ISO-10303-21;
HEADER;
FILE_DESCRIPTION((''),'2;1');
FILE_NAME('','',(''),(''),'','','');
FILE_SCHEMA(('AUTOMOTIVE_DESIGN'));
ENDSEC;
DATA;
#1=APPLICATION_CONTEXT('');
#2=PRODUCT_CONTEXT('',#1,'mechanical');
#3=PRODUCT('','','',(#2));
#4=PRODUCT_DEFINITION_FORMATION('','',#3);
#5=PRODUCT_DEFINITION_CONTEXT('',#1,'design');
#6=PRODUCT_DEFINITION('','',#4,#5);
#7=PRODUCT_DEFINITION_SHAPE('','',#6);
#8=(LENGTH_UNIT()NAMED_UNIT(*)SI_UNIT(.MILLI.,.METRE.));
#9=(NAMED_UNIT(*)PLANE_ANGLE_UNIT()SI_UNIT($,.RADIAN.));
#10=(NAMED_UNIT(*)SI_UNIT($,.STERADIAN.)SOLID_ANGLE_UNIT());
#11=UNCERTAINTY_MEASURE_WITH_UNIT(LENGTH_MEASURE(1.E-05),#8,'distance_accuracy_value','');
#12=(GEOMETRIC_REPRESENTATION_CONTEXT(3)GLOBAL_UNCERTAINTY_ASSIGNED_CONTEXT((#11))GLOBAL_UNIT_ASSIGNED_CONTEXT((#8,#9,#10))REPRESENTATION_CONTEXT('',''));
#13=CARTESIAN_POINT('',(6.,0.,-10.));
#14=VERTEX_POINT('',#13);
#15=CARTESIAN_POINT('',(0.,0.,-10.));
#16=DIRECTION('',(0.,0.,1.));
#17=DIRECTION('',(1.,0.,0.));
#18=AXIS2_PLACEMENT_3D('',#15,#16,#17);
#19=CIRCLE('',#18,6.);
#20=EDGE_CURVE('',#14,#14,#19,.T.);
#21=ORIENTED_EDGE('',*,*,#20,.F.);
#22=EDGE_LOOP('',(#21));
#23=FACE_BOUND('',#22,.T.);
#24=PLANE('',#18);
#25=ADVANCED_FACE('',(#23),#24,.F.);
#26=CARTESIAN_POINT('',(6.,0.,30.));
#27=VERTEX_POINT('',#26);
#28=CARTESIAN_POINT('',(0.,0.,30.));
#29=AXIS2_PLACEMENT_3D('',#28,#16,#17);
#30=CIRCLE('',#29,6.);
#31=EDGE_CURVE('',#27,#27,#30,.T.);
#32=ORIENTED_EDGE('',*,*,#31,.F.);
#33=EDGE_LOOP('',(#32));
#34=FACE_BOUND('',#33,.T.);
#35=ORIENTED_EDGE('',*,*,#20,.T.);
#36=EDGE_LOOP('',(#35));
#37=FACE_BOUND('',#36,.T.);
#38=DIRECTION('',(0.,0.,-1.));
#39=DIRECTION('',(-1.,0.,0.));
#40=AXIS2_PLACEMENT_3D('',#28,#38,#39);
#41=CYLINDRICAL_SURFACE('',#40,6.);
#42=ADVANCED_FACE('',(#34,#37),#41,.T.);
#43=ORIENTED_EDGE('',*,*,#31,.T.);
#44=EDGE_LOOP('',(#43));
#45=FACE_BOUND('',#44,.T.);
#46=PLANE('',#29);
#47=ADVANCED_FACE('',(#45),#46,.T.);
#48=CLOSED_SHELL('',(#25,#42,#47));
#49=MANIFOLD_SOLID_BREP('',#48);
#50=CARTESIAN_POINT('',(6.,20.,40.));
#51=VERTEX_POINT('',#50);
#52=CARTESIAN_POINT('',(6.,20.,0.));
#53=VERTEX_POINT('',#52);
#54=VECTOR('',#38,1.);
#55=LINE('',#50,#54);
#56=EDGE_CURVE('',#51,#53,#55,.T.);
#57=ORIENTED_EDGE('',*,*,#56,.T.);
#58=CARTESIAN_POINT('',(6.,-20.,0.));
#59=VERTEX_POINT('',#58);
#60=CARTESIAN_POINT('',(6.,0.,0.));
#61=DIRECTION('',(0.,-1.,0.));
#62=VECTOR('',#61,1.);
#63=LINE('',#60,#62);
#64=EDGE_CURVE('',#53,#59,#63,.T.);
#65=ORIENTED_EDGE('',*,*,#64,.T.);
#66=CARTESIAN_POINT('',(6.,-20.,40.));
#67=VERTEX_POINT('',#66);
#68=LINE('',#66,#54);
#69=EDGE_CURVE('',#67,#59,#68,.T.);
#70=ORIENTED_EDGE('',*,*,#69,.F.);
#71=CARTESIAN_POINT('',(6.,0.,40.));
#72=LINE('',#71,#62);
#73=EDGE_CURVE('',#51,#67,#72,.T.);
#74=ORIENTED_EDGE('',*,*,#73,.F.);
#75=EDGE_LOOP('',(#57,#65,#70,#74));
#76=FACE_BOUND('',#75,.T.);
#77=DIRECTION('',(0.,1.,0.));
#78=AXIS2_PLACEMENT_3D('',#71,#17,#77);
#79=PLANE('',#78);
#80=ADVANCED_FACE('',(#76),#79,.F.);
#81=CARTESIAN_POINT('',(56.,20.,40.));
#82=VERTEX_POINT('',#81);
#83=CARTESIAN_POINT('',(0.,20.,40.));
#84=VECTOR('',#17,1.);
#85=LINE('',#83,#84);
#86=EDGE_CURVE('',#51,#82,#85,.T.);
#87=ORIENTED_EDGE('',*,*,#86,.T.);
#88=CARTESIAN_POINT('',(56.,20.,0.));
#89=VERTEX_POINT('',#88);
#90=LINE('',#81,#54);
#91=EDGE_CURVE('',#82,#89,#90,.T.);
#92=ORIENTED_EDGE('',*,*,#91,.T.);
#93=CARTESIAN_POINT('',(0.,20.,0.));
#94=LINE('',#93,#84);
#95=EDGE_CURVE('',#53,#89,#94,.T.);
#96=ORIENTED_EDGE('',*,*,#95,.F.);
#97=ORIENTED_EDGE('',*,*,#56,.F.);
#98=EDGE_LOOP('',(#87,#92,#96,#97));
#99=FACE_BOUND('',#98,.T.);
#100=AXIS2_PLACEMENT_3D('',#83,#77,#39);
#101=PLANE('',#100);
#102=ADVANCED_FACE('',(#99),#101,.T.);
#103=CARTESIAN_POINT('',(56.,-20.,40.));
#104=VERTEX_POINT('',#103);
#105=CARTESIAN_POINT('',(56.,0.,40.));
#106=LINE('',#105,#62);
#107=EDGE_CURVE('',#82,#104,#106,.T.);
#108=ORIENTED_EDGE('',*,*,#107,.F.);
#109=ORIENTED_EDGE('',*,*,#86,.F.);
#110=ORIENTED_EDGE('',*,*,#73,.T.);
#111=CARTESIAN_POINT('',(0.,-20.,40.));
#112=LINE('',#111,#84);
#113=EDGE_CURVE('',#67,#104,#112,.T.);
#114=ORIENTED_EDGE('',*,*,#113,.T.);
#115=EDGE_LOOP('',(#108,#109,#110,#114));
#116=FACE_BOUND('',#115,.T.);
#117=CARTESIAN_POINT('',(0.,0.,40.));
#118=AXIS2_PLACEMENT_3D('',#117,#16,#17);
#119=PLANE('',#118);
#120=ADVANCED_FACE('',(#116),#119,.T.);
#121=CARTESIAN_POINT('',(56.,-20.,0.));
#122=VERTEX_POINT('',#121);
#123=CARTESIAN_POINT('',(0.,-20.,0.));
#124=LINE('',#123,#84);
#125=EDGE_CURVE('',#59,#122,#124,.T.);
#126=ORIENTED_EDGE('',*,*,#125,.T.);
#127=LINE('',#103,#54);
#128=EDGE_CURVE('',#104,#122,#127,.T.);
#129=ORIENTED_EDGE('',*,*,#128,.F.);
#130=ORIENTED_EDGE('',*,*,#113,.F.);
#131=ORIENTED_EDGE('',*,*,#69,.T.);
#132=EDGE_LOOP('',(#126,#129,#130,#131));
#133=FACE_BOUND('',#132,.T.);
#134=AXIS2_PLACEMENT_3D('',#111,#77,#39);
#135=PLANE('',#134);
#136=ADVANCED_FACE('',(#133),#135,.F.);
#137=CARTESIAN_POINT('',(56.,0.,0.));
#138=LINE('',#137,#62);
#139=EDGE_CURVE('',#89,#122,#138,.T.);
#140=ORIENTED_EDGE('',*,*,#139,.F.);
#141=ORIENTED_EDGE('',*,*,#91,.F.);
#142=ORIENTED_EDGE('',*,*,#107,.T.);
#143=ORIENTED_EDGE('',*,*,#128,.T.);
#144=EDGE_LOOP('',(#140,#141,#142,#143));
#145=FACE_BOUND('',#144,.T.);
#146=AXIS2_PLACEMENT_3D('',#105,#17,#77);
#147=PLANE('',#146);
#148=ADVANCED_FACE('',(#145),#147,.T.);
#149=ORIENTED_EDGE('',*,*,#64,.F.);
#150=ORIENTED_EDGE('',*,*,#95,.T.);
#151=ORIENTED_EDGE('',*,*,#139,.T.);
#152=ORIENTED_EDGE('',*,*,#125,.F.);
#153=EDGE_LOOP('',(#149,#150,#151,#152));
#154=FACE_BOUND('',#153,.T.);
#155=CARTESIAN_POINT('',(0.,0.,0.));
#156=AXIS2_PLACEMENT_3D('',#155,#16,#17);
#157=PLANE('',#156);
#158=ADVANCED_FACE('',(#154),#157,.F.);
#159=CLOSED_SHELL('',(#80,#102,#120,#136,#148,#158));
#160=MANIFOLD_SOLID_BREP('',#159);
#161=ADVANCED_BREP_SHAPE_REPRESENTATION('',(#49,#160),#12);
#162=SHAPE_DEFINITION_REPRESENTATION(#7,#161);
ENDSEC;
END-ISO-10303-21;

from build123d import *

# Parameters (mm, degrees)
BOSS_EXTRUDE1_DEPTH = 40
BOSS_EXTRUDE2_START = -10
SKETCH1_3_R         = 6
BOSS_EXTRUDE2_DEPTH = 40


with BuildPart() as part:
    # Sketch1 → Boss-Extrude1 (new body)
    with BuildSketch(Plane.XY):
        Polygon((56, 20), (6, 20), (6, 0), (6, -20), (56, -20), align=None)
    extrude(amount=BOSS_EXTRUDE1_DEPTH)


with BuildPart() as body_2:
    # Sketch1<3> → Boss-Extrude2 (new body)
    with BuildSketch(Plane.XY.offset(BOSS_EXTRUDE2_START)):
        Circle(SKETCH1_3_R)
    extrude(amount=BOSS_EXTRUDE2_DEPTH)


solid = Compound([part.part, body_2.part])
